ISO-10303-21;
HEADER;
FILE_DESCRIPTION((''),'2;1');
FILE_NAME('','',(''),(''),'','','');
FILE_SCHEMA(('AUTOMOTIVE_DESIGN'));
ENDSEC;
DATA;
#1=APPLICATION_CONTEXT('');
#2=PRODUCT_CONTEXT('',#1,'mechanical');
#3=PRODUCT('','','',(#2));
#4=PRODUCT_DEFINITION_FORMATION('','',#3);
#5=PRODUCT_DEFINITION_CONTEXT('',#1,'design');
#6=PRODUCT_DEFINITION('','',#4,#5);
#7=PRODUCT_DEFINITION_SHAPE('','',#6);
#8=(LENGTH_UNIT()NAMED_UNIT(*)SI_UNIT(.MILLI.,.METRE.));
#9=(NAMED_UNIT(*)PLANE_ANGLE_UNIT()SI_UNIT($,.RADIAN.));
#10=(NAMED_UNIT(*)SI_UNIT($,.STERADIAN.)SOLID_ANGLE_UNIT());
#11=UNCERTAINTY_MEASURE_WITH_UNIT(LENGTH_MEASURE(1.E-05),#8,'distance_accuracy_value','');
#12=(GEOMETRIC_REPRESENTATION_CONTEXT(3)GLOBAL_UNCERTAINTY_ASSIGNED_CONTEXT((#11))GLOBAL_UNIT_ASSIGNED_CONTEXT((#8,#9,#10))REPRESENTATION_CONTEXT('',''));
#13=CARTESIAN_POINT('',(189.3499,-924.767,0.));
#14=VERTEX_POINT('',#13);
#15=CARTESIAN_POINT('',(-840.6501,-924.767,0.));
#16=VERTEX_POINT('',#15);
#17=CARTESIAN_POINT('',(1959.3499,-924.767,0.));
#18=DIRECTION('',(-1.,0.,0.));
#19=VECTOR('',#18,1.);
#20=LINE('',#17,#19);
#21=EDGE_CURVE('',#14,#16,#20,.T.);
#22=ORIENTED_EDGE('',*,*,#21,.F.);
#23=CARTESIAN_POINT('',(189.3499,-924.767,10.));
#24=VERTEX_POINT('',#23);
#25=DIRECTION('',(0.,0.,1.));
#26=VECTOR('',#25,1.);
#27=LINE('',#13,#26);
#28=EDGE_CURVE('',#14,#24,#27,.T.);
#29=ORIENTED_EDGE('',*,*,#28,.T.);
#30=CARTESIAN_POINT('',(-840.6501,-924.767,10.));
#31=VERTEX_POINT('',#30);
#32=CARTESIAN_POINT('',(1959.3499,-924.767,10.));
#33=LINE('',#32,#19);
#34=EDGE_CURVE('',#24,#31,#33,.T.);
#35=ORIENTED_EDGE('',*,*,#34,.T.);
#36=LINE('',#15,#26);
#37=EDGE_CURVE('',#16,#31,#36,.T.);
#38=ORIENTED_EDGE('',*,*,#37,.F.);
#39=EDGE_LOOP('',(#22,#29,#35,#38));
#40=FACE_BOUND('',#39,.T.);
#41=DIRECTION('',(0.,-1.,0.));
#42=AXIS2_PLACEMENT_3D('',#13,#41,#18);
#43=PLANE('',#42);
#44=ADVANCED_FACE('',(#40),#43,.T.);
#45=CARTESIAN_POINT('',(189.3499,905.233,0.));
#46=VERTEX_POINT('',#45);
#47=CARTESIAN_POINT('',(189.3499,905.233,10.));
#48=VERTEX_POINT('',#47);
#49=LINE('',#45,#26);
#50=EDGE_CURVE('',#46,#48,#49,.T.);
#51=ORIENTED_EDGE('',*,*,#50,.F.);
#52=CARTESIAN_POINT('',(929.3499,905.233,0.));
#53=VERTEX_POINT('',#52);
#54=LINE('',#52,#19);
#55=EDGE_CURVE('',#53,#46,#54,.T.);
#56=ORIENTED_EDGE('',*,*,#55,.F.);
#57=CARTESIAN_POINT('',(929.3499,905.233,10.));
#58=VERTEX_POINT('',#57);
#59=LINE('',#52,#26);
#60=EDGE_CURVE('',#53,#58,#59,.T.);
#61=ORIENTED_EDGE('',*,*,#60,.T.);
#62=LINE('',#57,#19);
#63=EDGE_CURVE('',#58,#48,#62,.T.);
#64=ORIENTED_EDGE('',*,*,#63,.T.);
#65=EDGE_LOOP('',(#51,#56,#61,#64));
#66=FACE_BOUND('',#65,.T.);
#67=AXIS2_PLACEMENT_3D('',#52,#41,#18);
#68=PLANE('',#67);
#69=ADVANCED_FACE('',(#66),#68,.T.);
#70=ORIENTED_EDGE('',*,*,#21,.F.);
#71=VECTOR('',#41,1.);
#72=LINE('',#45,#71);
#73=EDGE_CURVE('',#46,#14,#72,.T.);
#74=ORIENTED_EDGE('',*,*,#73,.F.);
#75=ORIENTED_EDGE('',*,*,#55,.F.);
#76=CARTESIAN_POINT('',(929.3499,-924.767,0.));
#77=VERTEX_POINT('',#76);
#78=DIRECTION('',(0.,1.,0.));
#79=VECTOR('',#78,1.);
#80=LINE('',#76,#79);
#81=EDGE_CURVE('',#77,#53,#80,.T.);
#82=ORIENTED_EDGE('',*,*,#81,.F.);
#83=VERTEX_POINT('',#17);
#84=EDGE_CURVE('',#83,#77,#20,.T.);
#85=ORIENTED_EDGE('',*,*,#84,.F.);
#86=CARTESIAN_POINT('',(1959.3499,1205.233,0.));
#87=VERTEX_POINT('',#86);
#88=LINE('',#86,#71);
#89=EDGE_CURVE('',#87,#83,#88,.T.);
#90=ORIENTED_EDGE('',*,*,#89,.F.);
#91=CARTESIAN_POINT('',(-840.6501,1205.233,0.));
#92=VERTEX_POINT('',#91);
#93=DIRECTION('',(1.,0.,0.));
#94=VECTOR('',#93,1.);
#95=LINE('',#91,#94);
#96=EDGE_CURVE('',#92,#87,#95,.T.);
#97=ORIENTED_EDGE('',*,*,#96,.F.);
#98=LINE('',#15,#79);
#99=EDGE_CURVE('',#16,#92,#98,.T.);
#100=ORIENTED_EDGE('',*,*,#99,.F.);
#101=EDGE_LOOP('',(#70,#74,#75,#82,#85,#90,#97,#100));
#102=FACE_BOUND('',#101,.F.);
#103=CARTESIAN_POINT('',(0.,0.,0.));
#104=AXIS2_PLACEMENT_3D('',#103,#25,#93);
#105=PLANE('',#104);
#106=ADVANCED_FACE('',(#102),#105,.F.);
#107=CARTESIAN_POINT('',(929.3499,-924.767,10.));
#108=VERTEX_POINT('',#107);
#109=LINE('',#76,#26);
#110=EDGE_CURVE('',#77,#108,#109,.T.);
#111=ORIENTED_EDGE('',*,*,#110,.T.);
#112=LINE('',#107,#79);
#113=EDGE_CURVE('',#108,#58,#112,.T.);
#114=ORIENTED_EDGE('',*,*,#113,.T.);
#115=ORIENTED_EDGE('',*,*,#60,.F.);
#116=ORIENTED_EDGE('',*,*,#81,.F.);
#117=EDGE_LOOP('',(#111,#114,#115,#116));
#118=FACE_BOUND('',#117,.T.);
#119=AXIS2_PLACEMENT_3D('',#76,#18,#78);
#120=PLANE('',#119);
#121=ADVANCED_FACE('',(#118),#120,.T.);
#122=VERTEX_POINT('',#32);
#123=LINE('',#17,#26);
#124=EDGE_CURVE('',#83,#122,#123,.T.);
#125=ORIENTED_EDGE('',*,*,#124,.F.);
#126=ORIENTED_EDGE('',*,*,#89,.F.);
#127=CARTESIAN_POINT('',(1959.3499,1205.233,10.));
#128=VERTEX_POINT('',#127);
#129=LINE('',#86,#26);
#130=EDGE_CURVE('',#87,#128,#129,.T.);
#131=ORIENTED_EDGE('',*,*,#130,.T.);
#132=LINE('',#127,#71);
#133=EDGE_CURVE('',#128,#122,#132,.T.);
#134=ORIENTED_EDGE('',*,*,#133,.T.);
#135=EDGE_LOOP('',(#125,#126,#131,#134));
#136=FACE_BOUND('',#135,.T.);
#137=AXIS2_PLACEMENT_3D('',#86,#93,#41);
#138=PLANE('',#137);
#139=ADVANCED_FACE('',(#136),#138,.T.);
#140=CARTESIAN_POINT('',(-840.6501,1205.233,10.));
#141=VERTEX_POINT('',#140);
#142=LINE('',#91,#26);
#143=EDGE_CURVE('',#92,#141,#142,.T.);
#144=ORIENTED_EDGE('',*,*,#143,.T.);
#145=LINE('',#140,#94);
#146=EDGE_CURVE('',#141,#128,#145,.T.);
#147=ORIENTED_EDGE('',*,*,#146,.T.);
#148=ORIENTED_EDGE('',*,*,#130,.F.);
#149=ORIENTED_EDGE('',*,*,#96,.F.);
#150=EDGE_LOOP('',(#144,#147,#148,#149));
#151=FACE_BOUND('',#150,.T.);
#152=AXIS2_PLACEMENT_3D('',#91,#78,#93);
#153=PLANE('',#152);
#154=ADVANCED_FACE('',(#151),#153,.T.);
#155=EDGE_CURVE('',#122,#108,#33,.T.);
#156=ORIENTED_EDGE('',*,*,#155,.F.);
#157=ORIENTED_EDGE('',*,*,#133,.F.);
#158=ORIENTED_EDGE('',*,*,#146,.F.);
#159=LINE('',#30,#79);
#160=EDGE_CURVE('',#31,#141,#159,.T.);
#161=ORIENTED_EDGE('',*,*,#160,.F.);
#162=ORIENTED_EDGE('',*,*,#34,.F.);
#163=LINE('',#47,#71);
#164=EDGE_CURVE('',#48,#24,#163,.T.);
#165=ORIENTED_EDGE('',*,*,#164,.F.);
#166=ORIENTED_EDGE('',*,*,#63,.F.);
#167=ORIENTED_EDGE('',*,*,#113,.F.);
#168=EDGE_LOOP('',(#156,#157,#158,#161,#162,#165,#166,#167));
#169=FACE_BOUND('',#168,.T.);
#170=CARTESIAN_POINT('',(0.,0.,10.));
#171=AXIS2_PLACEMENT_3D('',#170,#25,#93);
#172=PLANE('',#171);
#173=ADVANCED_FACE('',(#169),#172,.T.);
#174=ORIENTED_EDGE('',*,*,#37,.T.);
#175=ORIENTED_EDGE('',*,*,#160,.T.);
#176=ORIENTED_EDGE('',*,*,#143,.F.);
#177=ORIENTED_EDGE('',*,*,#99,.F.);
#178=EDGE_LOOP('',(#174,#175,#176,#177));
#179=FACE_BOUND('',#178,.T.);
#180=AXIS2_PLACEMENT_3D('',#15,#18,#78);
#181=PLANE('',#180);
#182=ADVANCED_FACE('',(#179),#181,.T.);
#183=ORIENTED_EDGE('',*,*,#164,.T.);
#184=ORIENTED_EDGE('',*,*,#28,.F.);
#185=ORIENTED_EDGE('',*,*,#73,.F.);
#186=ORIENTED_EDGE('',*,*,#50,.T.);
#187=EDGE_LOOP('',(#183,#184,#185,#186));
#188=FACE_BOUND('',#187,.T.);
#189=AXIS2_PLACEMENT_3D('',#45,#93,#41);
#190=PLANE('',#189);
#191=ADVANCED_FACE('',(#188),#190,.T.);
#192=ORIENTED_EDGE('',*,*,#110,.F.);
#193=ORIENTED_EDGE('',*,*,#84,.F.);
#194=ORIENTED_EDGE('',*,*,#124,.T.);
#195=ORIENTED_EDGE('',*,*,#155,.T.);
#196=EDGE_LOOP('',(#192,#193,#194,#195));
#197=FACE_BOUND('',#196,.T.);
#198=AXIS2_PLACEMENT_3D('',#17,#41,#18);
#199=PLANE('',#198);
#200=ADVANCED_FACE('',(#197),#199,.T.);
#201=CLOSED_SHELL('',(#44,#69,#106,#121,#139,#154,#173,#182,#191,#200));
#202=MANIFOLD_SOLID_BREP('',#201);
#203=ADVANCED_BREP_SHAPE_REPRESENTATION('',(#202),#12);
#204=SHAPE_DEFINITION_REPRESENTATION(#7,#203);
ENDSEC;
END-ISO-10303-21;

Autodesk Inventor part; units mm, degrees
ref_plane "YZ Plane" through (0, 0, 0) normal (1, 0, 0) x (0, 1, 0)
ref_plane "XZ Plane" through (0, 0, 0) normal (0, 1, 0) x (-1, 0, 0)
ref_plane "XY Plane" through (0, 0, 0) normal (0, 0, 1) x (1, 0, 0)
sketch "Sketch1" plane through (0, 0, 0) normal (0, 0, 1) x (1, 0, 0)
  line L0 (-840.6501, 1205.233) -> (1959.3499, 1205.233)
  line L1 (1959.3499, 1205.233) -> (1959.3499, -924.767)
  line L2 (1959.3499, -924.767) -> (-840.6501, -924.767)
  line L3 (-840.6501, -924.767) -> (-840.6501, 1205.233)
  line L4 (189.3499, -924.767) -> (929.3499, -924.767)
  line L5 (929.3499, -924.767) -> (929.3499, 905.233)
  line L6 (929.3499, 905.233) -> (189.3499, 905.233)
  line L7 (189.3499, 905.233) -> (189.3499, -924.767)
  point P0 (0, 0)
  dimension "d0" = 2800
  dimension "d1" = 2130
  dimension "d3" = 740
  dimension "d4" = 1830
  dimension "d5" = 1030
extrude "Extrusion1" add sketch "Sketch1" along normal blind 10 contours L0 L1 L2 L5 L6 L7 L3
properties part number "Wall_door"
